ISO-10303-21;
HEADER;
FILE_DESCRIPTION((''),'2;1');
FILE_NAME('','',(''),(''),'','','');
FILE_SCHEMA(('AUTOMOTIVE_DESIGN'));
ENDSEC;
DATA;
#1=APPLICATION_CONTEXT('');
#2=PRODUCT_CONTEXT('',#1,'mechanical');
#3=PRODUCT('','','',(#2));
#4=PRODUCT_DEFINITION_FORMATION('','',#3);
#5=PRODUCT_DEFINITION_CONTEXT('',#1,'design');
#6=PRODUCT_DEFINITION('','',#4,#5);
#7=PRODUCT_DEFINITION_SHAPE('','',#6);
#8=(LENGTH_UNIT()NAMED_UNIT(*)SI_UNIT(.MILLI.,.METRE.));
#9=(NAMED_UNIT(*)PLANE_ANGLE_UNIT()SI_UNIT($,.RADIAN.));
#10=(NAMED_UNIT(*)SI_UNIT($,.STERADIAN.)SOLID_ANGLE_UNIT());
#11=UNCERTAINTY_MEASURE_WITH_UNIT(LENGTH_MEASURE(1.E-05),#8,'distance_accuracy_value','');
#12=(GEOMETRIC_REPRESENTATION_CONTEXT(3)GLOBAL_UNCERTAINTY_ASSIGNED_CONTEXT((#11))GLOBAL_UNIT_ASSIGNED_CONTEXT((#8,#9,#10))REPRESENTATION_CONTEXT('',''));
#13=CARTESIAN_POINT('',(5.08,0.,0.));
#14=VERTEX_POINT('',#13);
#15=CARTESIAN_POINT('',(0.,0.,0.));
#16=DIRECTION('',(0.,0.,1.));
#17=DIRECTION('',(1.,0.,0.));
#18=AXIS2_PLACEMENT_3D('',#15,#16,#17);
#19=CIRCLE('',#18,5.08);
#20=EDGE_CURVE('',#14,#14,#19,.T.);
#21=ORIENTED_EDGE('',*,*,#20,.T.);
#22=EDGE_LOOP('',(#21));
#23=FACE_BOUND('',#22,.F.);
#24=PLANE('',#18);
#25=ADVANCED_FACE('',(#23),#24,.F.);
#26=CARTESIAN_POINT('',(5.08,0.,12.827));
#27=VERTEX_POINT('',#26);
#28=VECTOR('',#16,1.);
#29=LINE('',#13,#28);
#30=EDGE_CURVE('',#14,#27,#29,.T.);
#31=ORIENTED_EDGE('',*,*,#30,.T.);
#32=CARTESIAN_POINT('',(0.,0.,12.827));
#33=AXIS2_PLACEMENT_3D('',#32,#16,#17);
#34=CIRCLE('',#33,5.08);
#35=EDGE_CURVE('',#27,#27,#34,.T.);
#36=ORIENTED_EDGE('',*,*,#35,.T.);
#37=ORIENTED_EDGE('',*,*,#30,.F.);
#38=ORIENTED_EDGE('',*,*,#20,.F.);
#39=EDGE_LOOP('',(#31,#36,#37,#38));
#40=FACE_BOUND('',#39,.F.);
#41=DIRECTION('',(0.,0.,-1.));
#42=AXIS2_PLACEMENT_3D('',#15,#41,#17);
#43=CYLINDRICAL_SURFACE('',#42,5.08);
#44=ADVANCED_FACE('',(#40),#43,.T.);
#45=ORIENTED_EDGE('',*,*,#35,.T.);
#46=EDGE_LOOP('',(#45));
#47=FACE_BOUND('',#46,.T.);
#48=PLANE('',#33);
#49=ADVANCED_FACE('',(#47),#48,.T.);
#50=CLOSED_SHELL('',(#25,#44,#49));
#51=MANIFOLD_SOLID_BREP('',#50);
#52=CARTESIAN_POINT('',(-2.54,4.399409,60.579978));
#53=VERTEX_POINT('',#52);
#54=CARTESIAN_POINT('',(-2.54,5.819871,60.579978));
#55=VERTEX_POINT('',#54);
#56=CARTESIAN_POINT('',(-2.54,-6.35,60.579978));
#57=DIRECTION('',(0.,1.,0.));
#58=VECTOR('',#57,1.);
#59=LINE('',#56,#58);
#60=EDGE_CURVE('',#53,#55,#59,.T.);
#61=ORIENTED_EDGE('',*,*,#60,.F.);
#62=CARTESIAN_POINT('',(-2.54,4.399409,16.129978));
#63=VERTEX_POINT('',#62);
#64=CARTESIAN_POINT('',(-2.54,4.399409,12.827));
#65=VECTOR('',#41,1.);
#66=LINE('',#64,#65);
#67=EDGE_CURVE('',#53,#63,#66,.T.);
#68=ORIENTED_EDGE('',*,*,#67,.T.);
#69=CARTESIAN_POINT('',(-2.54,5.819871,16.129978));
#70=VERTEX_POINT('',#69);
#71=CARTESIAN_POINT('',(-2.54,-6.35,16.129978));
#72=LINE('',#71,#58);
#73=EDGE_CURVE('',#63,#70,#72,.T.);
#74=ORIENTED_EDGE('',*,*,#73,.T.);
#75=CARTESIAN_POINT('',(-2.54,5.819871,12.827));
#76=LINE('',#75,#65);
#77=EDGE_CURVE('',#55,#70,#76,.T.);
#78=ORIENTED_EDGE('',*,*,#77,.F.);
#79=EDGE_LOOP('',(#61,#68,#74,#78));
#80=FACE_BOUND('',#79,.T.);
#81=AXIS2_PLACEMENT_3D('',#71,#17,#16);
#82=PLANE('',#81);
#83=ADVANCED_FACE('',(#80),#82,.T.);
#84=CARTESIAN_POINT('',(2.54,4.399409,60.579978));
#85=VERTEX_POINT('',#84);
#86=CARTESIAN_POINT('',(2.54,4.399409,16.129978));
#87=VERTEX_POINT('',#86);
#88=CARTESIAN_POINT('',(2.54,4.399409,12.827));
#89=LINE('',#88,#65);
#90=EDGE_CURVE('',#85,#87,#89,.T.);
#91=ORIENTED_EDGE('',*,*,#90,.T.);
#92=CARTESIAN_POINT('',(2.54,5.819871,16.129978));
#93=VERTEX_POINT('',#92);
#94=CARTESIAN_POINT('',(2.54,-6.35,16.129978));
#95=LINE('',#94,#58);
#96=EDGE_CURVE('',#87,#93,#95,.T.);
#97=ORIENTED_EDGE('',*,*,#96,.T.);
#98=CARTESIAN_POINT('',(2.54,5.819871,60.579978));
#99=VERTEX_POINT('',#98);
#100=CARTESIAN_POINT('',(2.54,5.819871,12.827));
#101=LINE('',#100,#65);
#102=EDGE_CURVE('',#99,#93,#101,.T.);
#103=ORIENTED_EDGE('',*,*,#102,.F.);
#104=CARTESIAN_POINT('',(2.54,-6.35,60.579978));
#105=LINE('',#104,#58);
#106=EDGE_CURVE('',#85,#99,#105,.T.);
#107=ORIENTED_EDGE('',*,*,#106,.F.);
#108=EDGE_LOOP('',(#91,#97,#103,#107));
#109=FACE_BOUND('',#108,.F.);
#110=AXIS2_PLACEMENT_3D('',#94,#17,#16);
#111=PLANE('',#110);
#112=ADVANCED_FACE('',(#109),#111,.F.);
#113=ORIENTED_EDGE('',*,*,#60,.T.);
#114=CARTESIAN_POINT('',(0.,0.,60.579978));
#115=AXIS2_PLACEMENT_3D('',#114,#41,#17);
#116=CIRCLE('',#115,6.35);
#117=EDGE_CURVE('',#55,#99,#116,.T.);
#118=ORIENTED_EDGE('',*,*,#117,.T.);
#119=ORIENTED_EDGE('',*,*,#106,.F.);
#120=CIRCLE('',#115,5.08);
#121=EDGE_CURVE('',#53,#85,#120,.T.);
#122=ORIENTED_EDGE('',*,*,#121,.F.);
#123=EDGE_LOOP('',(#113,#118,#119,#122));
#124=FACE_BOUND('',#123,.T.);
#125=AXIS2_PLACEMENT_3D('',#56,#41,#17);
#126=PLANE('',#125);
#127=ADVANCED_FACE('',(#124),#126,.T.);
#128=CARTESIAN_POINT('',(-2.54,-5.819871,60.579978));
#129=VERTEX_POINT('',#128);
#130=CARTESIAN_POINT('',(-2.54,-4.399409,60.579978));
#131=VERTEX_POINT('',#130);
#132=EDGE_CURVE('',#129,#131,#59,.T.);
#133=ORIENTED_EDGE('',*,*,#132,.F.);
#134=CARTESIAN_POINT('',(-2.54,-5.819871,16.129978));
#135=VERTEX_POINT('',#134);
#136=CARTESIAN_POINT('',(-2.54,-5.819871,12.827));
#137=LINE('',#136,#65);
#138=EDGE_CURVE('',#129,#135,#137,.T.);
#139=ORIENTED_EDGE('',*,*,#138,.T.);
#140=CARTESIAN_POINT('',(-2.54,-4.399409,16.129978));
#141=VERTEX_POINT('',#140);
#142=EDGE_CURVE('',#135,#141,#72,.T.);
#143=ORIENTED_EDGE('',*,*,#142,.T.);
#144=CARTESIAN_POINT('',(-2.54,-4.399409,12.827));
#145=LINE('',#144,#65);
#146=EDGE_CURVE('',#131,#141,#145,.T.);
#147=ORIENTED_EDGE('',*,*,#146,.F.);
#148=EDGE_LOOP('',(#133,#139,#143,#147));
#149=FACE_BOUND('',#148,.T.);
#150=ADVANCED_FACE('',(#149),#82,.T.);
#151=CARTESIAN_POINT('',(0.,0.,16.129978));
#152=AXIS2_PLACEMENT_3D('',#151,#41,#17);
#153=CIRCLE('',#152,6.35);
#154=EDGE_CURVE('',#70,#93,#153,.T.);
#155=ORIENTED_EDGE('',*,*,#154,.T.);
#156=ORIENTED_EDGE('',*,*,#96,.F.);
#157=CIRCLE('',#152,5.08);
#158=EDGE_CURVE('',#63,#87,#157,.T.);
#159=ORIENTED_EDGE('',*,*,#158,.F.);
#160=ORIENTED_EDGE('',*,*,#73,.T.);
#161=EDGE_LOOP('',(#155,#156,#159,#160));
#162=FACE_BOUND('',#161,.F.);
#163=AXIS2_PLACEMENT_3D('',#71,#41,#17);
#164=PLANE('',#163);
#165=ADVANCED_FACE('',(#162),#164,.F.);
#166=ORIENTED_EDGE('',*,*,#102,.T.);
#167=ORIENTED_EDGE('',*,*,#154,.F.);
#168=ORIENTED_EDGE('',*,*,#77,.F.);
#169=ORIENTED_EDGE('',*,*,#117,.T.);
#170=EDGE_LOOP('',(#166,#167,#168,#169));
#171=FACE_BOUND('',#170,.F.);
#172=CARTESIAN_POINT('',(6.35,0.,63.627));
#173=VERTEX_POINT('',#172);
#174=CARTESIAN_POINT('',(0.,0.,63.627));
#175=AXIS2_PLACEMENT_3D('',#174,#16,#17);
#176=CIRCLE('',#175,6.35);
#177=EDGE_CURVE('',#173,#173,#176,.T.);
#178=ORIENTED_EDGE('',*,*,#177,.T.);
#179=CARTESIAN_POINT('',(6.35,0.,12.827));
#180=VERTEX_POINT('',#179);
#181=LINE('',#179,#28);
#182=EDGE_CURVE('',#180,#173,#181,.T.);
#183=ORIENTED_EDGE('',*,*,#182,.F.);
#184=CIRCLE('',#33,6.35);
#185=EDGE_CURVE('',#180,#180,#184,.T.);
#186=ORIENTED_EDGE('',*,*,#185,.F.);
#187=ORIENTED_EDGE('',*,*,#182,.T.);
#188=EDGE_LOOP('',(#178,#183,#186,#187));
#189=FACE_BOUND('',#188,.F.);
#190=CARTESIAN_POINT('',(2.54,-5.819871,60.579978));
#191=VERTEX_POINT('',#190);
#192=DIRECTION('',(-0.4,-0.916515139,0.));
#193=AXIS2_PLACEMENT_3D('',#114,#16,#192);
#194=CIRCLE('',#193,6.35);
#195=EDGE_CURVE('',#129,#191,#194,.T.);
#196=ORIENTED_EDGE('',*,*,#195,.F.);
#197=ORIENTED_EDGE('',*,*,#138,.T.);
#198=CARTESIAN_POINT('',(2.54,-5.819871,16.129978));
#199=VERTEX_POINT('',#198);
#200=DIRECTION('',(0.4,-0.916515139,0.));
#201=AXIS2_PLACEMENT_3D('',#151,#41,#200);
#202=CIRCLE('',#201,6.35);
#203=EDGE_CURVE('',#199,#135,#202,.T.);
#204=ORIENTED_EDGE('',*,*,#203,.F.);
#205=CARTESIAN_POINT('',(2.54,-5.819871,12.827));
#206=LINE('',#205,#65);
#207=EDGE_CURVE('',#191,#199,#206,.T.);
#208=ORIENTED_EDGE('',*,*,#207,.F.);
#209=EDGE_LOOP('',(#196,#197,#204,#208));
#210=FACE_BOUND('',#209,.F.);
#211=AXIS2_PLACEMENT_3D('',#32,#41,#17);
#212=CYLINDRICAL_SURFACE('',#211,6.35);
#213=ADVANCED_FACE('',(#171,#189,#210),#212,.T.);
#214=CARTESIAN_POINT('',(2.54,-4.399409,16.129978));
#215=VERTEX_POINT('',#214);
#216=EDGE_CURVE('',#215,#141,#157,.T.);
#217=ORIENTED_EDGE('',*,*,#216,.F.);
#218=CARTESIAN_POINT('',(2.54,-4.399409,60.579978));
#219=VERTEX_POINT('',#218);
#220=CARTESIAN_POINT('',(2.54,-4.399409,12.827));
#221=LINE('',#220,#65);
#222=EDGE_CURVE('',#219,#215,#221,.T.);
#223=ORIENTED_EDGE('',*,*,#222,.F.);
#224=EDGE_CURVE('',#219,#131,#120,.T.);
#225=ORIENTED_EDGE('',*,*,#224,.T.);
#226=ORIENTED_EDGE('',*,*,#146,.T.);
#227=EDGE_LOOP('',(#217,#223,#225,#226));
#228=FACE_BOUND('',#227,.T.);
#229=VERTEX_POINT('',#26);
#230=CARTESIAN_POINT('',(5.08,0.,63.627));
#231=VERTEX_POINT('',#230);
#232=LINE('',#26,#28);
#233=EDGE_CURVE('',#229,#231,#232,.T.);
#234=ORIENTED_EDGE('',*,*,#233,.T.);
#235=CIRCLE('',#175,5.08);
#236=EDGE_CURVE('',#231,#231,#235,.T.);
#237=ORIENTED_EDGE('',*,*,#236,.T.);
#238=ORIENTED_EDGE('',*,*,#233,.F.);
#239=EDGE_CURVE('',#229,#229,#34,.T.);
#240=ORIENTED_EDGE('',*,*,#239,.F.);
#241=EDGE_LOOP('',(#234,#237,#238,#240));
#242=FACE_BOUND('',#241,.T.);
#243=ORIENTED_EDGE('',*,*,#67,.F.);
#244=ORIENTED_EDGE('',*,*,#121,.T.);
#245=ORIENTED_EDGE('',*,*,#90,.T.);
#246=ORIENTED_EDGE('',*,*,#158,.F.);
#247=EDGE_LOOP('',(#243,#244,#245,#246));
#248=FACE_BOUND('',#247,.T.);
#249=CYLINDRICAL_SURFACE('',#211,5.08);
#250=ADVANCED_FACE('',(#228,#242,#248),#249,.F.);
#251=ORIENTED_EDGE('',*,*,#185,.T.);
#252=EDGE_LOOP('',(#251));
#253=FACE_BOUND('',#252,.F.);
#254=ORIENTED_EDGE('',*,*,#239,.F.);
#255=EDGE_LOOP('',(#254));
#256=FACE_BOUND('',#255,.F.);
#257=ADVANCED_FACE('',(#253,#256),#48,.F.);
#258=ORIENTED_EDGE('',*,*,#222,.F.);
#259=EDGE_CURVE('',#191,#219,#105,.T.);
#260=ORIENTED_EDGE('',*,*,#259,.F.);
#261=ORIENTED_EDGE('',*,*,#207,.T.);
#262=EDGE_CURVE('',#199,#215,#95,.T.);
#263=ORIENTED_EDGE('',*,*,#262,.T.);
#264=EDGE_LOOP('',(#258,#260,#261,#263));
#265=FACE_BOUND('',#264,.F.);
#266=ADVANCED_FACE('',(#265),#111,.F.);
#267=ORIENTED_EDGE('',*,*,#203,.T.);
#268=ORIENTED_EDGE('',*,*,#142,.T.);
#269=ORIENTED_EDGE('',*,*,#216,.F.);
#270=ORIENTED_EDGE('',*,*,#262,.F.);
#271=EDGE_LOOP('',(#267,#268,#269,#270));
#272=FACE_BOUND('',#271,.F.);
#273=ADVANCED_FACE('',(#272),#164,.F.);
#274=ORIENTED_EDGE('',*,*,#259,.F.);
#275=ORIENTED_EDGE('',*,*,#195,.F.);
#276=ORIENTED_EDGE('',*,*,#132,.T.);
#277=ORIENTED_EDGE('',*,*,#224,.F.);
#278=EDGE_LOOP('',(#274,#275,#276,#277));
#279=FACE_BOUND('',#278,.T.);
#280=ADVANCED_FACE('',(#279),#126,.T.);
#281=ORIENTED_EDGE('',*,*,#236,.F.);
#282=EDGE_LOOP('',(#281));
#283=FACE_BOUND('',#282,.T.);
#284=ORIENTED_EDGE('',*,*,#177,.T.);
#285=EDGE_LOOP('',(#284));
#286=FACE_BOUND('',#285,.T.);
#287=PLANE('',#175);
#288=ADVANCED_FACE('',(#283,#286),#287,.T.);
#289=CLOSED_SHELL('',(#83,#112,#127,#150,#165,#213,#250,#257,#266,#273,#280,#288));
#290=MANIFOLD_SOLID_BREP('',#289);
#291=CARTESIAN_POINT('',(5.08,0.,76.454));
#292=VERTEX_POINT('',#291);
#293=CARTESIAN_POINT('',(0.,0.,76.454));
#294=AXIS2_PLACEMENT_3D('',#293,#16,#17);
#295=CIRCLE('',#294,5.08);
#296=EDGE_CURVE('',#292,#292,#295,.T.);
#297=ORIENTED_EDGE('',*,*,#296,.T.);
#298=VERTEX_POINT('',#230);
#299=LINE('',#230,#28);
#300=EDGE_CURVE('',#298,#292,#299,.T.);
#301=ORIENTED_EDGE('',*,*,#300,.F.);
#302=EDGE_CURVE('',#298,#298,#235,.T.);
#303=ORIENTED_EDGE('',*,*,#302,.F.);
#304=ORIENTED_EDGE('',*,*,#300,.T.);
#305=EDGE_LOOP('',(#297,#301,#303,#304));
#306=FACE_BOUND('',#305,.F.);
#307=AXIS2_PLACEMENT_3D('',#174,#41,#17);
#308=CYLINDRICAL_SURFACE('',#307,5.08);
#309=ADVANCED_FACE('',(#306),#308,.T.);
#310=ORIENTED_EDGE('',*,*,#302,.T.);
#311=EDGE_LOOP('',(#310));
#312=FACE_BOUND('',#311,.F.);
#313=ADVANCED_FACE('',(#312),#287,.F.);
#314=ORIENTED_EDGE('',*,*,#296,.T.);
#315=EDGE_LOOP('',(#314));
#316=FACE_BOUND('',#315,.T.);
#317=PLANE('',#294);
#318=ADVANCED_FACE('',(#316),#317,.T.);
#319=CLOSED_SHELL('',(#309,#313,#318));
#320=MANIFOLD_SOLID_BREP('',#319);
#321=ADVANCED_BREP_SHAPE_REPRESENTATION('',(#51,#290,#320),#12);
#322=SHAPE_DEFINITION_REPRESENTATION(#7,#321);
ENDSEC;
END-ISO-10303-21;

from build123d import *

# Parameters (mm, degrees)
F0_R     = 5.08
F1_DEPTH = 12.827
F2_R     = 6.35
F2_R_2   = 5.08
F3_DEPTH = 50.8
F4_R     = 5.08
F5_DEPTH = 12.827
F7_W     = 5.08
F7_H     = 44.45
F8_DEPTH = 25.4


with BuildPart() as f1:
    # F0 (on Top) → F1 (new body)
    with BuildSketch(Plane.XY):
        Circle(F0_R)
    extrude(amount=F1_DEPTH)


with BuildPart() as f3:
    # F2 (on face) → F3 (new body)
    with BuildSketch(Plane.XY.offset(12.827)):
        Circle(F2_R)
        Circle(F2_R_2, mode=Mode.SUBTRACT)
    extrude(amount=F3_DEPTH)

    # F7 (on offset) → F8 (cut)
    with BuildSketch(Plane.XZ.offset(6.35)):
        with Locations((0, 38.354978)):
            Rectangle(F7_W, F7_H)
    extrude(amount=-F8_DEPTH, mode=Mode.SUBTRACT)


with BuildPart() as f5:
    # F4 (on face) → F5 (new body)
    with BuildSketch(Plane.XY.offset(63.627)):
        Circle(F4_R)
    extrude(amount=F5_DEPTH)


solid = Compound([f1.part, f3.part, f5.part])
